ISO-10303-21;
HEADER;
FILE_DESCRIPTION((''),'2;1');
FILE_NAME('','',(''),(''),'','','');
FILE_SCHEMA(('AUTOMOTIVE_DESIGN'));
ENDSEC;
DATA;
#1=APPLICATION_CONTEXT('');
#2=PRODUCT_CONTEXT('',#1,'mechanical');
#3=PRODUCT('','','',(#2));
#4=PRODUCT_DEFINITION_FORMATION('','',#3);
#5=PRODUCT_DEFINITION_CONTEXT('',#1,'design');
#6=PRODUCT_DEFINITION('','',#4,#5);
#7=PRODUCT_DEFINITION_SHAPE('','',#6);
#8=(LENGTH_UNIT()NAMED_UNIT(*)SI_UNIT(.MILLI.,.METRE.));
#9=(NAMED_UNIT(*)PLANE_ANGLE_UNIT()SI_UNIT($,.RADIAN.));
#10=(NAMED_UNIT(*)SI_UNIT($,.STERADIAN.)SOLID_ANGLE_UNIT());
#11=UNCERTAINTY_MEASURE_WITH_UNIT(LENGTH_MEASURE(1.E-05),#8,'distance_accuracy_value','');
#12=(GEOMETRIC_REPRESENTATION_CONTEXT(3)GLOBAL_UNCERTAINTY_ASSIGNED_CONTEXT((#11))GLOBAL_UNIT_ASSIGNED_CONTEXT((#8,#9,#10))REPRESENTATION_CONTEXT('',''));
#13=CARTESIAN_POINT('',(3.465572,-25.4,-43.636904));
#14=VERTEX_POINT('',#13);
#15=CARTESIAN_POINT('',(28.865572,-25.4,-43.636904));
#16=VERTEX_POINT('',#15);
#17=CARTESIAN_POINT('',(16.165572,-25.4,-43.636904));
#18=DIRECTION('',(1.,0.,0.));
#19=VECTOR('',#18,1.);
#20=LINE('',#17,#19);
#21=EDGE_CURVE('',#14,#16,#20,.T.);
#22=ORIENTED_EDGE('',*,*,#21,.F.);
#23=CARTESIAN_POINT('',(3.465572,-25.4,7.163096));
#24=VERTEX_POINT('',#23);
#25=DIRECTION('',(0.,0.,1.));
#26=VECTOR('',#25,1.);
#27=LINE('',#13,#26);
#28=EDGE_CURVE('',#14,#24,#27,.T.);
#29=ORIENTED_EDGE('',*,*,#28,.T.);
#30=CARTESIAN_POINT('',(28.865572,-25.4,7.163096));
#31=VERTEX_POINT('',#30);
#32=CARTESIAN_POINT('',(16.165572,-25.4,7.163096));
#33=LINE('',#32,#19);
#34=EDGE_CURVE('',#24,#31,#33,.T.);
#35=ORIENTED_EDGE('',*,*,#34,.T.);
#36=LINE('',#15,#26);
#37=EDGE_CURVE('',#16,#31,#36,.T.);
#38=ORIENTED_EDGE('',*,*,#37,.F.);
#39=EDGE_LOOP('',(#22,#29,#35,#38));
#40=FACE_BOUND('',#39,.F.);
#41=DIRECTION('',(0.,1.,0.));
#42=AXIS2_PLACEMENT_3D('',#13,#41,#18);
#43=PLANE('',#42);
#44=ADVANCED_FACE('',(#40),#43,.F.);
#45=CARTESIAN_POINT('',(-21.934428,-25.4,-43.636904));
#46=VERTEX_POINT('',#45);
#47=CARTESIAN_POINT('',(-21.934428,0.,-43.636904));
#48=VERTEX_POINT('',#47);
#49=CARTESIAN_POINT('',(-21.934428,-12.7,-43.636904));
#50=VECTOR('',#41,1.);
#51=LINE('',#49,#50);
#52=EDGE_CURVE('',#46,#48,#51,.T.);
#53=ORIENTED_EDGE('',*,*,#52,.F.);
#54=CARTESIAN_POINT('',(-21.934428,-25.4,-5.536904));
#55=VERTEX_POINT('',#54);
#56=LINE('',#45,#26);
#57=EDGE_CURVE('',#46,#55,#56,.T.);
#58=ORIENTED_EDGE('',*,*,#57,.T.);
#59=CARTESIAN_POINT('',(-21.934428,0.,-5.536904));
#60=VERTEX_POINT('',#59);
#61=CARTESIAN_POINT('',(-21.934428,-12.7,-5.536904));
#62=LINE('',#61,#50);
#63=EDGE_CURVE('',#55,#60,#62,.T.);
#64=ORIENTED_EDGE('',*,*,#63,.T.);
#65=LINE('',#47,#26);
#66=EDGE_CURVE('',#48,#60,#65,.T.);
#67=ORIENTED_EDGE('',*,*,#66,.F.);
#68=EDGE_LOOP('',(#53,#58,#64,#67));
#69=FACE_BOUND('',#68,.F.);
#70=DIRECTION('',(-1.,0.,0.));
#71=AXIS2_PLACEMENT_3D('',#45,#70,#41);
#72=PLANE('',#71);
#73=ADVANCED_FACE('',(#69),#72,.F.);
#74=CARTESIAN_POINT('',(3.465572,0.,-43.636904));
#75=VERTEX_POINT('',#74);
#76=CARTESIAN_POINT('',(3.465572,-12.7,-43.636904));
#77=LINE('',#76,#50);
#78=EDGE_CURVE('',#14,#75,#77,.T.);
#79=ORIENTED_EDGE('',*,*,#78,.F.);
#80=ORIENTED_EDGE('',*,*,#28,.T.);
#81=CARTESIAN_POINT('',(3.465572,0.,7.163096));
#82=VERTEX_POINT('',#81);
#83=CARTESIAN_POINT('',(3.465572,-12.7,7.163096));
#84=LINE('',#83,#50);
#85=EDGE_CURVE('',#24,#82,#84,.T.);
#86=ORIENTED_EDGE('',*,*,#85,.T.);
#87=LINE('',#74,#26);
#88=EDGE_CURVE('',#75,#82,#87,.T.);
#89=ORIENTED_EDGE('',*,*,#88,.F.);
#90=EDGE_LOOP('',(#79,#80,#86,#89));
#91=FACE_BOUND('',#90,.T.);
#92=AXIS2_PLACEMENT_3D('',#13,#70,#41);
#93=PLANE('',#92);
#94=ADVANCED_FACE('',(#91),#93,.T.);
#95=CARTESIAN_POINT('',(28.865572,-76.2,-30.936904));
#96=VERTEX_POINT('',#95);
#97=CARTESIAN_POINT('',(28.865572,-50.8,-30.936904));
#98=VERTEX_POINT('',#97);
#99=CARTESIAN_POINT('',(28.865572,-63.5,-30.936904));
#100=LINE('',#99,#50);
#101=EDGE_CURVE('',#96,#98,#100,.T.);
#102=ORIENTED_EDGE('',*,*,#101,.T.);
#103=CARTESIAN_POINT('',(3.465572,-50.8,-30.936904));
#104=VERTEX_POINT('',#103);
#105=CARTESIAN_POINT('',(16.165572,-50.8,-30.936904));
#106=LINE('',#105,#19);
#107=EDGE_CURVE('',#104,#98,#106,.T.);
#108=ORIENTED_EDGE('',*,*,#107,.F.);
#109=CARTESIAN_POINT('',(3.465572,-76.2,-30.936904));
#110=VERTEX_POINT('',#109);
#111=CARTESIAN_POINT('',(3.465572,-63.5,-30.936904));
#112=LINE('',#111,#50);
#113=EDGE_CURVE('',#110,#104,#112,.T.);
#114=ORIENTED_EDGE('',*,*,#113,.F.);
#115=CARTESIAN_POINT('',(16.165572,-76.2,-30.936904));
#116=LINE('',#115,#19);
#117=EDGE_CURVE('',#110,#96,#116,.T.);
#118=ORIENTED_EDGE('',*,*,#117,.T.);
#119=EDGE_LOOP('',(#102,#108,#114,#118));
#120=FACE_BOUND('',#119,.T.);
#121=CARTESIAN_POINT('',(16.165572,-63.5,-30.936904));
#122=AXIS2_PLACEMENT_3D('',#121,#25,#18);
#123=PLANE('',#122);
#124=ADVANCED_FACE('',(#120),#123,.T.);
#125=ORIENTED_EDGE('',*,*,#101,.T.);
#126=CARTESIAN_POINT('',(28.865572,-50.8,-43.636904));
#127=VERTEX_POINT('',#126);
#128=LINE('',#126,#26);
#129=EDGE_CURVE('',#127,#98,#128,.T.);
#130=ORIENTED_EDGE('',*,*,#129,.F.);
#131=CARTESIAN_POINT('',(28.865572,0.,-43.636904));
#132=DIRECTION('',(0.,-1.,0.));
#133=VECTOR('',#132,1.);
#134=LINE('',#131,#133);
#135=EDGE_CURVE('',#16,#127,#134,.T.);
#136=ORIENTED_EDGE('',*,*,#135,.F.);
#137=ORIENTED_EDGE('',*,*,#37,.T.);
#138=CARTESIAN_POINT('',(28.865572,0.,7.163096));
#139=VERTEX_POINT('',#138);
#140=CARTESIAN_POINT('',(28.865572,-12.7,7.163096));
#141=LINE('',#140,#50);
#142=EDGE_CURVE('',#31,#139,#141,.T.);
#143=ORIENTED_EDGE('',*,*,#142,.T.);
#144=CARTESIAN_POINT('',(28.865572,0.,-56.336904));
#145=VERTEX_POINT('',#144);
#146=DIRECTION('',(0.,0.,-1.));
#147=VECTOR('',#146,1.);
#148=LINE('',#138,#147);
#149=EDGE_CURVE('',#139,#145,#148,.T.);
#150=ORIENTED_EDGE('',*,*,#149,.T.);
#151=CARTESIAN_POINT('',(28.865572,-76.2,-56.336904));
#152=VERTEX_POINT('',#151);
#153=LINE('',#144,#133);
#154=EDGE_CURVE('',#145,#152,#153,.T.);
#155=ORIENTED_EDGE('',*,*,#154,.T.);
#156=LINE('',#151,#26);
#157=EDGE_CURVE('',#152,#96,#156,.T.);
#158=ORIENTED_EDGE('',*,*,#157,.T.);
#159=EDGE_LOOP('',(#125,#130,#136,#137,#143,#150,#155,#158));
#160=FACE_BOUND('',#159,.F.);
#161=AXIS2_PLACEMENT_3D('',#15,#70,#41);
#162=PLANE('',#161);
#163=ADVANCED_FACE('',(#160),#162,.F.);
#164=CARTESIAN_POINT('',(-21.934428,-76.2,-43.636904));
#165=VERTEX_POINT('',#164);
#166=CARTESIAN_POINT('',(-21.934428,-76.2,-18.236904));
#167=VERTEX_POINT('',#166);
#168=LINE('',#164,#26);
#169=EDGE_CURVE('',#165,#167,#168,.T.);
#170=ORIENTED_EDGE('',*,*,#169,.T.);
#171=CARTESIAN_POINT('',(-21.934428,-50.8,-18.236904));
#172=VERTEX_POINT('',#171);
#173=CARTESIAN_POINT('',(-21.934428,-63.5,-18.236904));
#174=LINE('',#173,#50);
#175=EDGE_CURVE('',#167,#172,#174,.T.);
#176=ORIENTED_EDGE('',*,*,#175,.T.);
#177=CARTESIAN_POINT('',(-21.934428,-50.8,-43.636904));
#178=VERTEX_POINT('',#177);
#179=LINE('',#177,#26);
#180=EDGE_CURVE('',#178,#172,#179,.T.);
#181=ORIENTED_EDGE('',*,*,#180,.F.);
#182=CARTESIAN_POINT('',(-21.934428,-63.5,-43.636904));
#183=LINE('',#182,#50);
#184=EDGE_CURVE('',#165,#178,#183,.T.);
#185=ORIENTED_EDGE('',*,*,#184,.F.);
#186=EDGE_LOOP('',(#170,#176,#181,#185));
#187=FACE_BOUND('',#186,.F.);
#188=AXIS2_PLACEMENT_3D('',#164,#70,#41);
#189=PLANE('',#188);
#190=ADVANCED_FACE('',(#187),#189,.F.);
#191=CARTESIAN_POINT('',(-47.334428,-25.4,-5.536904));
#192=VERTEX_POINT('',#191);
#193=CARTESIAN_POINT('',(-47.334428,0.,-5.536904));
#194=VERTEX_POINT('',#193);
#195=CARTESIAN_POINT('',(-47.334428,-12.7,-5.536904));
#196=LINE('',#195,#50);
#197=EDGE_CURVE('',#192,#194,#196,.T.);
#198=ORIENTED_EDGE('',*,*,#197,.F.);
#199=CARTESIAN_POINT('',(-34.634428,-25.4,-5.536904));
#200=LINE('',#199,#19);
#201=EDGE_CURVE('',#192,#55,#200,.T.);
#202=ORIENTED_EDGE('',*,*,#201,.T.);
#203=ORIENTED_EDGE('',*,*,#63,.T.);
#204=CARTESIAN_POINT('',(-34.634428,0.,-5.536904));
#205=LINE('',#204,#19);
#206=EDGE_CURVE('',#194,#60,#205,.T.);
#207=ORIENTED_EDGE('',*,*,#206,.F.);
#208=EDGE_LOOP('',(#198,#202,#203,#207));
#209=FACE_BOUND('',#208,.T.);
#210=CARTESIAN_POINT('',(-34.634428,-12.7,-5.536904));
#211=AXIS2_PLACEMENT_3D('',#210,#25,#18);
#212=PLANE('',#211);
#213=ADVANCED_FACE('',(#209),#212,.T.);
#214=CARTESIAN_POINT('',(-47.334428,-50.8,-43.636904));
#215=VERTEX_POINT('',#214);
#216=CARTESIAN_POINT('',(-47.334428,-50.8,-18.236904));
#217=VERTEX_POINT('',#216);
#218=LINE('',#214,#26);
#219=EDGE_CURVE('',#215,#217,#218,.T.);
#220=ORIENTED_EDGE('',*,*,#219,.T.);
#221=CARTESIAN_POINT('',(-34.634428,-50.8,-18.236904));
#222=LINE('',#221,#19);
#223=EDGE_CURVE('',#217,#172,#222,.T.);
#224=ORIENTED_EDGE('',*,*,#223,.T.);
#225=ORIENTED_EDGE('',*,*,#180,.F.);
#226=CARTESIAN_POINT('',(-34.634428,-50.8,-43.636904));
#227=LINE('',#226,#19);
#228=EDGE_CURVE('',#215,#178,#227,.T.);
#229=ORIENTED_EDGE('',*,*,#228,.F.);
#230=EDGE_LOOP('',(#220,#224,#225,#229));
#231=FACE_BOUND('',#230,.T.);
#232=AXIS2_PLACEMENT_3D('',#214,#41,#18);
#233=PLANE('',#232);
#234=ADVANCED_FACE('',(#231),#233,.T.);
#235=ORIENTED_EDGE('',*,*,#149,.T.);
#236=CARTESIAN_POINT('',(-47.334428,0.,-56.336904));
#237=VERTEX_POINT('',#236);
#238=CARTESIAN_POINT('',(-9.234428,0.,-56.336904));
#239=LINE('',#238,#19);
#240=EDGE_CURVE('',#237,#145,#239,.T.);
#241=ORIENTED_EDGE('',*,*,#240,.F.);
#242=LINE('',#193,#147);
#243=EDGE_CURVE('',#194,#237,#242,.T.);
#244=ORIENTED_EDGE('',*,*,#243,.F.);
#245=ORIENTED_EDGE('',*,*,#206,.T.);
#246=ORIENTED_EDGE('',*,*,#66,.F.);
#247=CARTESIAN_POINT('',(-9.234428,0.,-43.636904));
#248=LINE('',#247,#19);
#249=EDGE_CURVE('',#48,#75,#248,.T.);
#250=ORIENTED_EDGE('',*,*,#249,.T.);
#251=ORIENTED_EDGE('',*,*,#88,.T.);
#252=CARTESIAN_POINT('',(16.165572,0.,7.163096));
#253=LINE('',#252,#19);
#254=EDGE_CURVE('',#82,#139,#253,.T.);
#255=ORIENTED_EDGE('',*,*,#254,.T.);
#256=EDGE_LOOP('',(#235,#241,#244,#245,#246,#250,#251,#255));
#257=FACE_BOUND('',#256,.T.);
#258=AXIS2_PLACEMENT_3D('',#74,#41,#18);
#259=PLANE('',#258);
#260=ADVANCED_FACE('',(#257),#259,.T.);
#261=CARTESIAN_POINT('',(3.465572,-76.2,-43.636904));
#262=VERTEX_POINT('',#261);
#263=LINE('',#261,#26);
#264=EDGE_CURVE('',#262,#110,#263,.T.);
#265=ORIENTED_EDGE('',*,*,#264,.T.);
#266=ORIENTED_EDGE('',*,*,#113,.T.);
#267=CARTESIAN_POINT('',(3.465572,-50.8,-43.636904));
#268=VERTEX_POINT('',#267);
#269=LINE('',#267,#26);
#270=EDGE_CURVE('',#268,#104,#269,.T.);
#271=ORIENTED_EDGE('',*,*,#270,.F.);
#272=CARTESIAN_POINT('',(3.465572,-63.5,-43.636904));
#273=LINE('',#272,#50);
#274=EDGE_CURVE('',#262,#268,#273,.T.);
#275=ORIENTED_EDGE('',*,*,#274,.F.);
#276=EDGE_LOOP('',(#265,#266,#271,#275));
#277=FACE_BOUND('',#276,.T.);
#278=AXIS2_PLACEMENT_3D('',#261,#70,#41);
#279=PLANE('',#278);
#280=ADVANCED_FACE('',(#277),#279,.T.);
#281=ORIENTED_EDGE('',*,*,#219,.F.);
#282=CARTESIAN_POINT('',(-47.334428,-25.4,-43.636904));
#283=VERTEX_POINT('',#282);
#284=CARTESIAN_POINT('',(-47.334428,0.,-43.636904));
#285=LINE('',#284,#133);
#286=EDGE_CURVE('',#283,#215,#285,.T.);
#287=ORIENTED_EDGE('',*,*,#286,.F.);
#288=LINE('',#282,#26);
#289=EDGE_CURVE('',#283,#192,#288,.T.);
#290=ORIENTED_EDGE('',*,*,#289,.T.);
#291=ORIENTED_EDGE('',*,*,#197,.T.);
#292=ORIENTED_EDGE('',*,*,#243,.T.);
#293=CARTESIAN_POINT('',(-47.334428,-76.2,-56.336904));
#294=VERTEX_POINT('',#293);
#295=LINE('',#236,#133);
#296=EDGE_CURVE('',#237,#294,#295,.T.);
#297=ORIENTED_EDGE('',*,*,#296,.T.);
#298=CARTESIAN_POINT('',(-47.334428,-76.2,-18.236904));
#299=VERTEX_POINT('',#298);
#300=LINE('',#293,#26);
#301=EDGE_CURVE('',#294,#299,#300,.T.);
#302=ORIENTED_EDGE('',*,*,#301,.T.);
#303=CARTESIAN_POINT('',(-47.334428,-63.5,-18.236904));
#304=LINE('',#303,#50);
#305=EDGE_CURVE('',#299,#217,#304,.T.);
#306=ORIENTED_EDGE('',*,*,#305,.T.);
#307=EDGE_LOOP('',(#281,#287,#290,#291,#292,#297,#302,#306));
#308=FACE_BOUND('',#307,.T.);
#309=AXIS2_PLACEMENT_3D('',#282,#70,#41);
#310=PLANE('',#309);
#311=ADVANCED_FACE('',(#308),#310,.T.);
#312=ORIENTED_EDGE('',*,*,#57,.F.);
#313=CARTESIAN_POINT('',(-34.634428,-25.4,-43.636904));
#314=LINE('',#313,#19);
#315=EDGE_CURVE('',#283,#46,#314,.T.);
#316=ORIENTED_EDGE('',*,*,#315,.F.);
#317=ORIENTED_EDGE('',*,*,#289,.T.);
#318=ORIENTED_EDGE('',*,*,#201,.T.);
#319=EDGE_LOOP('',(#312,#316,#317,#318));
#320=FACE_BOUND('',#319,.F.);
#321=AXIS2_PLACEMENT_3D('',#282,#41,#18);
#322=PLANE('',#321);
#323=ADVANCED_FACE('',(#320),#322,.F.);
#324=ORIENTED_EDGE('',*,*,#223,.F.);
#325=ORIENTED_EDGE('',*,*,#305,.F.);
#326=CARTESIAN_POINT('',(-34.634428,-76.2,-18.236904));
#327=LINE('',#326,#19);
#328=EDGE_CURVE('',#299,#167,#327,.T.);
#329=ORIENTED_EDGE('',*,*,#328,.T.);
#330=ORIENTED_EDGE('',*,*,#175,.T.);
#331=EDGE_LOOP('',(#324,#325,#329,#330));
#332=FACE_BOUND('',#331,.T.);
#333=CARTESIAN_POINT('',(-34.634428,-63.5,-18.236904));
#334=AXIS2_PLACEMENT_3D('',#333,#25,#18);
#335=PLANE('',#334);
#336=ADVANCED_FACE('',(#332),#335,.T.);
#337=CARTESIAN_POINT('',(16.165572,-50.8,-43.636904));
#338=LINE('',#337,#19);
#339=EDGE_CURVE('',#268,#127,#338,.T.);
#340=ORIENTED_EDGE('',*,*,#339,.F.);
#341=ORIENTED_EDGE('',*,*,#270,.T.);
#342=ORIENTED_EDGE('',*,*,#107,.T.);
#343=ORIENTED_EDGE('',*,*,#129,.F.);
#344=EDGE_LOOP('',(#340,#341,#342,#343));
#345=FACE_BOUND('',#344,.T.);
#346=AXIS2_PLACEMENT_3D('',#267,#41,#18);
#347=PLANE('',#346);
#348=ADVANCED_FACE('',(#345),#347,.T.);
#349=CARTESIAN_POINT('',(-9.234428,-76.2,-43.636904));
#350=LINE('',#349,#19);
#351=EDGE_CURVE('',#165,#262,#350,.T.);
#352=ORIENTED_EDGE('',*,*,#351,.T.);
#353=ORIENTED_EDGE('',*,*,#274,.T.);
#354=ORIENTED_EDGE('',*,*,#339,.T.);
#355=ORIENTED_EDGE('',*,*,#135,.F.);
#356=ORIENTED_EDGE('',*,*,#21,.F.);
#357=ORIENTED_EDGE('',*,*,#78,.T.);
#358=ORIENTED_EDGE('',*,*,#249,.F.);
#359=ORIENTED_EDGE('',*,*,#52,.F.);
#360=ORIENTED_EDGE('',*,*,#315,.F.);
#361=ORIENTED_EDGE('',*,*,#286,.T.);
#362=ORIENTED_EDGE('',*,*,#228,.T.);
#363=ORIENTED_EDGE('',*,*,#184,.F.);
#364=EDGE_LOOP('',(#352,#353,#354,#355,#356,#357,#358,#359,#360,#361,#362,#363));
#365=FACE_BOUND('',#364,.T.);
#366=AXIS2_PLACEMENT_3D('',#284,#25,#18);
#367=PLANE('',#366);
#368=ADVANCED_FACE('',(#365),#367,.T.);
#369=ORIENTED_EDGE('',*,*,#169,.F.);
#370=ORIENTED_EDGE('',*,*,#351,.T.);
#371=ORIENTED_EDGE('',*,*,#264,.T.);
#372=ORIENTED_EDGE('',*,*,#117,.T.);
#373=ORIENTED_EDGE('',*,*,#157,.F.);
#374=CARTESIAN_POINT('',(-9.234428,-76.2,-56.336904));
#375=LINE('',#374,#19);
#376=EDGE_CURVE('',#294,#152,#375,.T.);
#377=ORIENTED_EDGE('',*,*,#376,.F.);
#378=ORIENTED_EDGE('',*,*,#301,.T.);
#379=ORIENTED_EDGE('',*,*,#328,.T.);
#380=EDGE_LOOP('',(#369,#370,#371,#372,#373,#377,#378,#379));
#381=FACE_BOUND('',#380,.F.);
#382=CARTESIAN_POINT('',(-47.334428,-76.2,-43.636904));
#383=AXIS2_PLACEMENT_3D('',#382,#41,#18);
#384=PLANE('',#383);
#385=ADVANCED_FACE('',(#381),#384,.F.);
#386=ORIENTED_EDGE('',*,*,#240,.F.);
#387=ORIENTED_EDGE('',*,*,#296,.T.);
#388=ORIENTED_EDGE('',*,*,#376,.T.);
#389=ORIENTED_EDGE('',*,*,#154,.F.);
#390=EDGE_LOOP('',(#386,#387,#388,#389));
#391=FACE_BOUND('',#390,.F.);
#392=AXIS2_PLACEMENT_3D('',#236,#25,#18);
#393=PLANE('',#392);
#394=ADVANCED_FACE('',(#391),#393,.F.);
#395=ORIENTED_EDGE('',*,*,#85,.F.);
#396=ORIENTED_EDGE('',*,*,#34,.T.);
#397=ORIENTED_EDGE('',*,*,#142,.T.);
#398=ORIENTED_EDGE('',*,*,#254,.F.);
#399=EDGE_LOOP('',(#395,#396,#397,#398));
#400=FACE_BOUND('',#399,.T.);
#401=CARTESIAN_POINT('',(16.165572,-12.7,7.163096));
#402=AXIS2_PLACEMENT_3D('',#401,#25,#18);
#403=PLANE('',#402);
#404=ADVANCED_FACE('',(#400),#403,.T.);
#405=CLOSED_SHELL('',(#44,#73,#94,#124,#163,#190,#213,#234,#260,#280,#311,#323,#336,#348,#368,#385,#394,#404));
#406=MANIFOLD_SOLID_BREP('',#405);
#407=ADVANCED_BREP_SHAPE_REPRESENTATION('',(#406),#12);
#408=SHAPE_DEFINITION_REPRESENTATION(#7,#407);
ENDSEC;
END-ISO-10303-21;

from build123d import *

# Parameters (mm, degrees)
F0_W     = 76.2
F0_H     = 12.7
F1_DEPTH = 76.2
F2_W     = 25.4
F2_H     = 25.4
F3_DEPTH = 12.7
F4_DEPTH = 25.4
F5_DEPTH = 38.1
F6_DEPTH = 50.8


with BuildPart() as f1:
    # F0 (on Front) → F1 (new body)
    with BuildSketch(Plane.XZ):
        with Locations((-9.234428, -49.986904)):
            Rectangle(F0_W, F0_H)
    extrude(amount=F1_DEPTH)

    # F2 (on face) → F3 (join)
    with BuildSketch(Plane.XY.offset(-43.636904)):
        with Locations((16.165572, -63.5)):
            Rectangle(F2_W, F2_H)
    extrude(amount=F3_DEPTH)

    # F2 (on face) → F4 (join)
    with BuildSketch(Plane.XY.offset(-43.636904)):
        with Locations((-34.634428, -63.5)):
            Rectangle(F2_W, F2_H)
    extrude(amount=F4_DEPTH)

    # F2 (on face) → F5 (join)
    with BuildSketch(Plane.XY.offset(-43.636904)):
        with Locations((-34.634428, -12.7)):
            Rectangle(F2_W, F2_H)
    extrude(amount=F5_DEPTH)

    # F2 (on face) → F6 (join)
    with BuildSketch(Plane.XY.offset(-43.636904)):
        with Locations((16.165572, -12.7)):
            Rectangle(F2_W, F2_H)
    extrude(amount=F6_DEPTH)


solid = f1.part
